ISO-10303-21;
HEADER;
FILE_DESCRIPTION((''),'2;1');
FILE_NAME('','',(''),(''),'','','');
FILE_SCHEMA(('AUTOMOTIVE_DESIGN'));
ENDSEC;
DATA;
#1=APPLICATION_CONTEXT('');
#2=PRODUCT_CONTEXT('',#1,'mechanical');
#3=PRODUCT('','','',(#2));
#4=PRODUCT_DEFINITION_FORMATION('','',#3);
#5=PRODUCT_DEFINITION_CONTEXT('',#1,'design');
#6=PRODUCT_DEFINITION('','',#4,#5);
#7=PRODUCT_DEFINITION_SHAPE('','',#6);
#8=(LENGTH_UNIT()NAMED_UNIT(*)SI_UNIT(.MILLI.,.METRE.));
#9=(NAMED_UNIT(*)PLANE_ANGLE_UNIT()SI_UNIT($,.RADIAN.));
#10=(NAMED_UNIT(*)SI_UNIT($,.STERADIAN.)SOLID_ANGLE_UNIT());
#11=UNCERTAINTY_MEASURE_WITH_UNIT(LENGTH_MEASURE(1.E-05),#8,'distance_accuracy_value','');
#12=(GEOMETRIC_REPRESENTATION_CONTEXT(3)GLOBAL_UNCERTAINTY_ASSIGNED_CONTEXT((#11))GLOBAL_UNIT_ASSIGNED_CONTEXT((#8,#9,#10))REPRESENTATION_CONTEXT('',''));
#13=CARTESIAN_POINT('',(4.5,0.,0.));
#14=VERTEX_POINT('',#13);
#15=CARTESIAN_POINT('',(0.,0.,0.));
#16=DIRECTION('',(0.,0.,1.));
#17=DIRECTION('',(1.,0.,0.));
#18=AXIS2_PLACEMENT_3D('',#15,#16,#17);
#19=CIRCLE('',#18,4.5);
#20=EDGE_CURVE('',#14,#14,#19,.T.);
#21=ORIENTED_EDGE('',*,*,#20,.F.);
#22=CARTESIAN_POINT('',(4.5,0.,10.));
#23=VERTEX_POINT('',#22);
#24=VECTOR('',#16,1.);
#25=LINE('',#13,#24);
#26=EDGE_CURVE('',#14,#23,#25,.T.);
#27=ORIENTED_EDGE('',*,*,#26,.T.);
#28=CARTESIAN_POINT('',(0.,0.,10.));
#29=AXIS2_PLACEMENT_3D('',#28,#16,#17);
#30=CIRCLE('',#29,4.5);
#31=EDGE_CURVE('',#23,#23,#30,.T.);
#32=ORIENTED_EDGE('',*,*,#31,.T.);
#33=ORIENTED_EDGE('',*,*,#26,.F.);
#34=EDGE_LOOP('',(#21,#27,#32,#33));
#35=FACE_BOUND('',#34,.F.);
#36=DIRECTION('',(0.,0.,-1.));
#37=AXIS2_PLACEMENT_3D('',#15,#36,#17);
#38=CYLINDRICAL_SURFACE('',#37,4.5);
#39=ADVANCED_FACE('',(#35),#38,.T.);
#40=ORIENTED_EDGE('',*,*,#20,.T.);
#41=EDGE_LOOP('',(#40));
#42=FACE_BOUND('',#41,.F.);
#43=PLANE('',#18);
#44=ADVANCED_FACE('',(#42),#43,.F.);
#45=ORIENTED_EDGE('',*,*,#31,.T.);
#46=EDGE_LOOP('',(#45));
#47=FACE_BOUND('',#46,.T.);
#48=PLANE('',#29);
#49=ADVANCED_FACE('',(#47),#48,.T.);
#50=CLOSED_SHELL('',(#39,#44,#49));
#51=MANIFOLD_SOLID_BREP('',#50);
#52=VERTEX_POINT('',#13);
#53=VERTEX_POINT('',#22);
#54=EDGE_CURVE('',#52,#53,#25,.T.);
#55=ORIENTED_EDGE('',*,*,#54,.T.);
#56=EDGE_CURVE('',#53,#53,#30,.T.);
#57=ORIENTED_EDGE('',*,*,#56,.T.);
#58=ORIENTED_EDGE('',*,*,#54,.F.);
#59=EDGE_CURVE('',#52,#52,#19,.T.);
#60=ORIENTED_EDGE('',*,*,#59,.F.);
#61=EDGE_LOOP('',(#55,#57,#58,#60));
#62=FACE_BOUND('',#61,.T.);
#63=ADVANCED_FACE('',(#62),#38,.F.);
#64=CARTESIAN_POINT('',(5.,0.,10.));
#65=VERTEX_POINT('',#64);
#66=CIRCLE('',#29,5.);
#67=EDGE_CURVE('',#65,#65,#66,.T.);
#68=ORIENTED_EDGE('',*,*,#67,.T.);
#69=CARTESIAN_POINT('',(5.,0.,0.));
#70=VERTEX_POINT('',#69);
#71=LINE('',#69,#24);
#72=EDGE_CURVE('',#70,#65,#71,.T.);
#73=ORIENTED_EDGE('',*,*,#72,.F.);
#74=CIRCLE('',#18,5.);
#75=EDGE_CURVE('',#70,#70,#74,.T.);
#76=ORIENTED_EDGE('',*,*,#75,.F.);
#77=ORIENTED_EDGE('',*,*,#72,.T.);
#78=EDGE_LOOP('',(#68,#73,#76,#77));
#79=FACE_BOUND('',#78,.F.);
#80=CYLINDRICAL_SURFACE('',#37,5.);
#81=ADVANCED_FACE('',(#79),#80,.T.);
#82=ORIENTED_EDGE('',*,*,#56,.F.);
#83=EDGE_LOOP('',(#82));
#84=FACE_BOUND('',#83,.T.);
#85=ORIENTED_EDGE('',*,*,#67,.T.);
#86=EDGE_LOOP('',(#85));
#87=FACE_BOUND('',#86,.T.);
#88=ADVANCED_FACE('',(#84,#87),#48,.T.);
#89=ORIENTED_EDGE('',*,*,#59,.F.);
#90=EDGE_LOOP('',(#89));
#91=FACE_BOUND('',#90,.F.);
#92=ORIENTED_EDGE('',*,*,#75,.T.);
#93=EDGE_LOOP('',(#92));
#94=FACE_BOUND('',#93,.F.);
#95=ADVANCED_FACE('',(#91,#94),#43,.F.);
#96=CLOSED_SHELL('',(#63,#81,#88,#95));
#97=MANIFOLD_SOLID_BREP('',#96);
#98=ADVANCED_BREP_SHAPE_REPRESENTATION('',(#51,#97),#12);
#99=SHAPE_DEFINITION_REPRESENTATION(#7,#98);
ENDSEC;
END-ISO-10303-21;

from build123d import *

# Parameters (mm, degrees)
CYLINDER001_R     = 4.5
CYLINDER001_DEPTH = 10
CYLINDER_R        = 5
CYLINDER_DEPTH    = 10
CYLINDER002_R     = 4.5
CYLINDER002_DEPTH = 10


with BuildPart() as cylinder001:
    # Cylinder001 → Cylinder001 (new body)
    with BuildSketch(Plane.XY):
        Circle(CYLINDER001_R)
    extrude(amount=CYLINDER001_DEPTH)


with BuildPart() as cut:
    # Cylinder → Cylinder (new body)
    with BuildSketch(Plane.XY):
        Circle(CYLINDER_R)
    extrude(amount=CYLINDER_DEPTH)

    # Cut: cut Cylinder001
    add(cylinder001.part, mode=Mode.SUBTRACT)


with BuildPart() as cylinder002:
    # Cylinder002 → Cylinder002 (new body)
    with BuildSketch(Plane.XY):
        Circle(CYLINDER002_R)
    extrude(amount=CYLINDER002_DEPTH)


solid = Compound([cut.part, cylinder002.part])
